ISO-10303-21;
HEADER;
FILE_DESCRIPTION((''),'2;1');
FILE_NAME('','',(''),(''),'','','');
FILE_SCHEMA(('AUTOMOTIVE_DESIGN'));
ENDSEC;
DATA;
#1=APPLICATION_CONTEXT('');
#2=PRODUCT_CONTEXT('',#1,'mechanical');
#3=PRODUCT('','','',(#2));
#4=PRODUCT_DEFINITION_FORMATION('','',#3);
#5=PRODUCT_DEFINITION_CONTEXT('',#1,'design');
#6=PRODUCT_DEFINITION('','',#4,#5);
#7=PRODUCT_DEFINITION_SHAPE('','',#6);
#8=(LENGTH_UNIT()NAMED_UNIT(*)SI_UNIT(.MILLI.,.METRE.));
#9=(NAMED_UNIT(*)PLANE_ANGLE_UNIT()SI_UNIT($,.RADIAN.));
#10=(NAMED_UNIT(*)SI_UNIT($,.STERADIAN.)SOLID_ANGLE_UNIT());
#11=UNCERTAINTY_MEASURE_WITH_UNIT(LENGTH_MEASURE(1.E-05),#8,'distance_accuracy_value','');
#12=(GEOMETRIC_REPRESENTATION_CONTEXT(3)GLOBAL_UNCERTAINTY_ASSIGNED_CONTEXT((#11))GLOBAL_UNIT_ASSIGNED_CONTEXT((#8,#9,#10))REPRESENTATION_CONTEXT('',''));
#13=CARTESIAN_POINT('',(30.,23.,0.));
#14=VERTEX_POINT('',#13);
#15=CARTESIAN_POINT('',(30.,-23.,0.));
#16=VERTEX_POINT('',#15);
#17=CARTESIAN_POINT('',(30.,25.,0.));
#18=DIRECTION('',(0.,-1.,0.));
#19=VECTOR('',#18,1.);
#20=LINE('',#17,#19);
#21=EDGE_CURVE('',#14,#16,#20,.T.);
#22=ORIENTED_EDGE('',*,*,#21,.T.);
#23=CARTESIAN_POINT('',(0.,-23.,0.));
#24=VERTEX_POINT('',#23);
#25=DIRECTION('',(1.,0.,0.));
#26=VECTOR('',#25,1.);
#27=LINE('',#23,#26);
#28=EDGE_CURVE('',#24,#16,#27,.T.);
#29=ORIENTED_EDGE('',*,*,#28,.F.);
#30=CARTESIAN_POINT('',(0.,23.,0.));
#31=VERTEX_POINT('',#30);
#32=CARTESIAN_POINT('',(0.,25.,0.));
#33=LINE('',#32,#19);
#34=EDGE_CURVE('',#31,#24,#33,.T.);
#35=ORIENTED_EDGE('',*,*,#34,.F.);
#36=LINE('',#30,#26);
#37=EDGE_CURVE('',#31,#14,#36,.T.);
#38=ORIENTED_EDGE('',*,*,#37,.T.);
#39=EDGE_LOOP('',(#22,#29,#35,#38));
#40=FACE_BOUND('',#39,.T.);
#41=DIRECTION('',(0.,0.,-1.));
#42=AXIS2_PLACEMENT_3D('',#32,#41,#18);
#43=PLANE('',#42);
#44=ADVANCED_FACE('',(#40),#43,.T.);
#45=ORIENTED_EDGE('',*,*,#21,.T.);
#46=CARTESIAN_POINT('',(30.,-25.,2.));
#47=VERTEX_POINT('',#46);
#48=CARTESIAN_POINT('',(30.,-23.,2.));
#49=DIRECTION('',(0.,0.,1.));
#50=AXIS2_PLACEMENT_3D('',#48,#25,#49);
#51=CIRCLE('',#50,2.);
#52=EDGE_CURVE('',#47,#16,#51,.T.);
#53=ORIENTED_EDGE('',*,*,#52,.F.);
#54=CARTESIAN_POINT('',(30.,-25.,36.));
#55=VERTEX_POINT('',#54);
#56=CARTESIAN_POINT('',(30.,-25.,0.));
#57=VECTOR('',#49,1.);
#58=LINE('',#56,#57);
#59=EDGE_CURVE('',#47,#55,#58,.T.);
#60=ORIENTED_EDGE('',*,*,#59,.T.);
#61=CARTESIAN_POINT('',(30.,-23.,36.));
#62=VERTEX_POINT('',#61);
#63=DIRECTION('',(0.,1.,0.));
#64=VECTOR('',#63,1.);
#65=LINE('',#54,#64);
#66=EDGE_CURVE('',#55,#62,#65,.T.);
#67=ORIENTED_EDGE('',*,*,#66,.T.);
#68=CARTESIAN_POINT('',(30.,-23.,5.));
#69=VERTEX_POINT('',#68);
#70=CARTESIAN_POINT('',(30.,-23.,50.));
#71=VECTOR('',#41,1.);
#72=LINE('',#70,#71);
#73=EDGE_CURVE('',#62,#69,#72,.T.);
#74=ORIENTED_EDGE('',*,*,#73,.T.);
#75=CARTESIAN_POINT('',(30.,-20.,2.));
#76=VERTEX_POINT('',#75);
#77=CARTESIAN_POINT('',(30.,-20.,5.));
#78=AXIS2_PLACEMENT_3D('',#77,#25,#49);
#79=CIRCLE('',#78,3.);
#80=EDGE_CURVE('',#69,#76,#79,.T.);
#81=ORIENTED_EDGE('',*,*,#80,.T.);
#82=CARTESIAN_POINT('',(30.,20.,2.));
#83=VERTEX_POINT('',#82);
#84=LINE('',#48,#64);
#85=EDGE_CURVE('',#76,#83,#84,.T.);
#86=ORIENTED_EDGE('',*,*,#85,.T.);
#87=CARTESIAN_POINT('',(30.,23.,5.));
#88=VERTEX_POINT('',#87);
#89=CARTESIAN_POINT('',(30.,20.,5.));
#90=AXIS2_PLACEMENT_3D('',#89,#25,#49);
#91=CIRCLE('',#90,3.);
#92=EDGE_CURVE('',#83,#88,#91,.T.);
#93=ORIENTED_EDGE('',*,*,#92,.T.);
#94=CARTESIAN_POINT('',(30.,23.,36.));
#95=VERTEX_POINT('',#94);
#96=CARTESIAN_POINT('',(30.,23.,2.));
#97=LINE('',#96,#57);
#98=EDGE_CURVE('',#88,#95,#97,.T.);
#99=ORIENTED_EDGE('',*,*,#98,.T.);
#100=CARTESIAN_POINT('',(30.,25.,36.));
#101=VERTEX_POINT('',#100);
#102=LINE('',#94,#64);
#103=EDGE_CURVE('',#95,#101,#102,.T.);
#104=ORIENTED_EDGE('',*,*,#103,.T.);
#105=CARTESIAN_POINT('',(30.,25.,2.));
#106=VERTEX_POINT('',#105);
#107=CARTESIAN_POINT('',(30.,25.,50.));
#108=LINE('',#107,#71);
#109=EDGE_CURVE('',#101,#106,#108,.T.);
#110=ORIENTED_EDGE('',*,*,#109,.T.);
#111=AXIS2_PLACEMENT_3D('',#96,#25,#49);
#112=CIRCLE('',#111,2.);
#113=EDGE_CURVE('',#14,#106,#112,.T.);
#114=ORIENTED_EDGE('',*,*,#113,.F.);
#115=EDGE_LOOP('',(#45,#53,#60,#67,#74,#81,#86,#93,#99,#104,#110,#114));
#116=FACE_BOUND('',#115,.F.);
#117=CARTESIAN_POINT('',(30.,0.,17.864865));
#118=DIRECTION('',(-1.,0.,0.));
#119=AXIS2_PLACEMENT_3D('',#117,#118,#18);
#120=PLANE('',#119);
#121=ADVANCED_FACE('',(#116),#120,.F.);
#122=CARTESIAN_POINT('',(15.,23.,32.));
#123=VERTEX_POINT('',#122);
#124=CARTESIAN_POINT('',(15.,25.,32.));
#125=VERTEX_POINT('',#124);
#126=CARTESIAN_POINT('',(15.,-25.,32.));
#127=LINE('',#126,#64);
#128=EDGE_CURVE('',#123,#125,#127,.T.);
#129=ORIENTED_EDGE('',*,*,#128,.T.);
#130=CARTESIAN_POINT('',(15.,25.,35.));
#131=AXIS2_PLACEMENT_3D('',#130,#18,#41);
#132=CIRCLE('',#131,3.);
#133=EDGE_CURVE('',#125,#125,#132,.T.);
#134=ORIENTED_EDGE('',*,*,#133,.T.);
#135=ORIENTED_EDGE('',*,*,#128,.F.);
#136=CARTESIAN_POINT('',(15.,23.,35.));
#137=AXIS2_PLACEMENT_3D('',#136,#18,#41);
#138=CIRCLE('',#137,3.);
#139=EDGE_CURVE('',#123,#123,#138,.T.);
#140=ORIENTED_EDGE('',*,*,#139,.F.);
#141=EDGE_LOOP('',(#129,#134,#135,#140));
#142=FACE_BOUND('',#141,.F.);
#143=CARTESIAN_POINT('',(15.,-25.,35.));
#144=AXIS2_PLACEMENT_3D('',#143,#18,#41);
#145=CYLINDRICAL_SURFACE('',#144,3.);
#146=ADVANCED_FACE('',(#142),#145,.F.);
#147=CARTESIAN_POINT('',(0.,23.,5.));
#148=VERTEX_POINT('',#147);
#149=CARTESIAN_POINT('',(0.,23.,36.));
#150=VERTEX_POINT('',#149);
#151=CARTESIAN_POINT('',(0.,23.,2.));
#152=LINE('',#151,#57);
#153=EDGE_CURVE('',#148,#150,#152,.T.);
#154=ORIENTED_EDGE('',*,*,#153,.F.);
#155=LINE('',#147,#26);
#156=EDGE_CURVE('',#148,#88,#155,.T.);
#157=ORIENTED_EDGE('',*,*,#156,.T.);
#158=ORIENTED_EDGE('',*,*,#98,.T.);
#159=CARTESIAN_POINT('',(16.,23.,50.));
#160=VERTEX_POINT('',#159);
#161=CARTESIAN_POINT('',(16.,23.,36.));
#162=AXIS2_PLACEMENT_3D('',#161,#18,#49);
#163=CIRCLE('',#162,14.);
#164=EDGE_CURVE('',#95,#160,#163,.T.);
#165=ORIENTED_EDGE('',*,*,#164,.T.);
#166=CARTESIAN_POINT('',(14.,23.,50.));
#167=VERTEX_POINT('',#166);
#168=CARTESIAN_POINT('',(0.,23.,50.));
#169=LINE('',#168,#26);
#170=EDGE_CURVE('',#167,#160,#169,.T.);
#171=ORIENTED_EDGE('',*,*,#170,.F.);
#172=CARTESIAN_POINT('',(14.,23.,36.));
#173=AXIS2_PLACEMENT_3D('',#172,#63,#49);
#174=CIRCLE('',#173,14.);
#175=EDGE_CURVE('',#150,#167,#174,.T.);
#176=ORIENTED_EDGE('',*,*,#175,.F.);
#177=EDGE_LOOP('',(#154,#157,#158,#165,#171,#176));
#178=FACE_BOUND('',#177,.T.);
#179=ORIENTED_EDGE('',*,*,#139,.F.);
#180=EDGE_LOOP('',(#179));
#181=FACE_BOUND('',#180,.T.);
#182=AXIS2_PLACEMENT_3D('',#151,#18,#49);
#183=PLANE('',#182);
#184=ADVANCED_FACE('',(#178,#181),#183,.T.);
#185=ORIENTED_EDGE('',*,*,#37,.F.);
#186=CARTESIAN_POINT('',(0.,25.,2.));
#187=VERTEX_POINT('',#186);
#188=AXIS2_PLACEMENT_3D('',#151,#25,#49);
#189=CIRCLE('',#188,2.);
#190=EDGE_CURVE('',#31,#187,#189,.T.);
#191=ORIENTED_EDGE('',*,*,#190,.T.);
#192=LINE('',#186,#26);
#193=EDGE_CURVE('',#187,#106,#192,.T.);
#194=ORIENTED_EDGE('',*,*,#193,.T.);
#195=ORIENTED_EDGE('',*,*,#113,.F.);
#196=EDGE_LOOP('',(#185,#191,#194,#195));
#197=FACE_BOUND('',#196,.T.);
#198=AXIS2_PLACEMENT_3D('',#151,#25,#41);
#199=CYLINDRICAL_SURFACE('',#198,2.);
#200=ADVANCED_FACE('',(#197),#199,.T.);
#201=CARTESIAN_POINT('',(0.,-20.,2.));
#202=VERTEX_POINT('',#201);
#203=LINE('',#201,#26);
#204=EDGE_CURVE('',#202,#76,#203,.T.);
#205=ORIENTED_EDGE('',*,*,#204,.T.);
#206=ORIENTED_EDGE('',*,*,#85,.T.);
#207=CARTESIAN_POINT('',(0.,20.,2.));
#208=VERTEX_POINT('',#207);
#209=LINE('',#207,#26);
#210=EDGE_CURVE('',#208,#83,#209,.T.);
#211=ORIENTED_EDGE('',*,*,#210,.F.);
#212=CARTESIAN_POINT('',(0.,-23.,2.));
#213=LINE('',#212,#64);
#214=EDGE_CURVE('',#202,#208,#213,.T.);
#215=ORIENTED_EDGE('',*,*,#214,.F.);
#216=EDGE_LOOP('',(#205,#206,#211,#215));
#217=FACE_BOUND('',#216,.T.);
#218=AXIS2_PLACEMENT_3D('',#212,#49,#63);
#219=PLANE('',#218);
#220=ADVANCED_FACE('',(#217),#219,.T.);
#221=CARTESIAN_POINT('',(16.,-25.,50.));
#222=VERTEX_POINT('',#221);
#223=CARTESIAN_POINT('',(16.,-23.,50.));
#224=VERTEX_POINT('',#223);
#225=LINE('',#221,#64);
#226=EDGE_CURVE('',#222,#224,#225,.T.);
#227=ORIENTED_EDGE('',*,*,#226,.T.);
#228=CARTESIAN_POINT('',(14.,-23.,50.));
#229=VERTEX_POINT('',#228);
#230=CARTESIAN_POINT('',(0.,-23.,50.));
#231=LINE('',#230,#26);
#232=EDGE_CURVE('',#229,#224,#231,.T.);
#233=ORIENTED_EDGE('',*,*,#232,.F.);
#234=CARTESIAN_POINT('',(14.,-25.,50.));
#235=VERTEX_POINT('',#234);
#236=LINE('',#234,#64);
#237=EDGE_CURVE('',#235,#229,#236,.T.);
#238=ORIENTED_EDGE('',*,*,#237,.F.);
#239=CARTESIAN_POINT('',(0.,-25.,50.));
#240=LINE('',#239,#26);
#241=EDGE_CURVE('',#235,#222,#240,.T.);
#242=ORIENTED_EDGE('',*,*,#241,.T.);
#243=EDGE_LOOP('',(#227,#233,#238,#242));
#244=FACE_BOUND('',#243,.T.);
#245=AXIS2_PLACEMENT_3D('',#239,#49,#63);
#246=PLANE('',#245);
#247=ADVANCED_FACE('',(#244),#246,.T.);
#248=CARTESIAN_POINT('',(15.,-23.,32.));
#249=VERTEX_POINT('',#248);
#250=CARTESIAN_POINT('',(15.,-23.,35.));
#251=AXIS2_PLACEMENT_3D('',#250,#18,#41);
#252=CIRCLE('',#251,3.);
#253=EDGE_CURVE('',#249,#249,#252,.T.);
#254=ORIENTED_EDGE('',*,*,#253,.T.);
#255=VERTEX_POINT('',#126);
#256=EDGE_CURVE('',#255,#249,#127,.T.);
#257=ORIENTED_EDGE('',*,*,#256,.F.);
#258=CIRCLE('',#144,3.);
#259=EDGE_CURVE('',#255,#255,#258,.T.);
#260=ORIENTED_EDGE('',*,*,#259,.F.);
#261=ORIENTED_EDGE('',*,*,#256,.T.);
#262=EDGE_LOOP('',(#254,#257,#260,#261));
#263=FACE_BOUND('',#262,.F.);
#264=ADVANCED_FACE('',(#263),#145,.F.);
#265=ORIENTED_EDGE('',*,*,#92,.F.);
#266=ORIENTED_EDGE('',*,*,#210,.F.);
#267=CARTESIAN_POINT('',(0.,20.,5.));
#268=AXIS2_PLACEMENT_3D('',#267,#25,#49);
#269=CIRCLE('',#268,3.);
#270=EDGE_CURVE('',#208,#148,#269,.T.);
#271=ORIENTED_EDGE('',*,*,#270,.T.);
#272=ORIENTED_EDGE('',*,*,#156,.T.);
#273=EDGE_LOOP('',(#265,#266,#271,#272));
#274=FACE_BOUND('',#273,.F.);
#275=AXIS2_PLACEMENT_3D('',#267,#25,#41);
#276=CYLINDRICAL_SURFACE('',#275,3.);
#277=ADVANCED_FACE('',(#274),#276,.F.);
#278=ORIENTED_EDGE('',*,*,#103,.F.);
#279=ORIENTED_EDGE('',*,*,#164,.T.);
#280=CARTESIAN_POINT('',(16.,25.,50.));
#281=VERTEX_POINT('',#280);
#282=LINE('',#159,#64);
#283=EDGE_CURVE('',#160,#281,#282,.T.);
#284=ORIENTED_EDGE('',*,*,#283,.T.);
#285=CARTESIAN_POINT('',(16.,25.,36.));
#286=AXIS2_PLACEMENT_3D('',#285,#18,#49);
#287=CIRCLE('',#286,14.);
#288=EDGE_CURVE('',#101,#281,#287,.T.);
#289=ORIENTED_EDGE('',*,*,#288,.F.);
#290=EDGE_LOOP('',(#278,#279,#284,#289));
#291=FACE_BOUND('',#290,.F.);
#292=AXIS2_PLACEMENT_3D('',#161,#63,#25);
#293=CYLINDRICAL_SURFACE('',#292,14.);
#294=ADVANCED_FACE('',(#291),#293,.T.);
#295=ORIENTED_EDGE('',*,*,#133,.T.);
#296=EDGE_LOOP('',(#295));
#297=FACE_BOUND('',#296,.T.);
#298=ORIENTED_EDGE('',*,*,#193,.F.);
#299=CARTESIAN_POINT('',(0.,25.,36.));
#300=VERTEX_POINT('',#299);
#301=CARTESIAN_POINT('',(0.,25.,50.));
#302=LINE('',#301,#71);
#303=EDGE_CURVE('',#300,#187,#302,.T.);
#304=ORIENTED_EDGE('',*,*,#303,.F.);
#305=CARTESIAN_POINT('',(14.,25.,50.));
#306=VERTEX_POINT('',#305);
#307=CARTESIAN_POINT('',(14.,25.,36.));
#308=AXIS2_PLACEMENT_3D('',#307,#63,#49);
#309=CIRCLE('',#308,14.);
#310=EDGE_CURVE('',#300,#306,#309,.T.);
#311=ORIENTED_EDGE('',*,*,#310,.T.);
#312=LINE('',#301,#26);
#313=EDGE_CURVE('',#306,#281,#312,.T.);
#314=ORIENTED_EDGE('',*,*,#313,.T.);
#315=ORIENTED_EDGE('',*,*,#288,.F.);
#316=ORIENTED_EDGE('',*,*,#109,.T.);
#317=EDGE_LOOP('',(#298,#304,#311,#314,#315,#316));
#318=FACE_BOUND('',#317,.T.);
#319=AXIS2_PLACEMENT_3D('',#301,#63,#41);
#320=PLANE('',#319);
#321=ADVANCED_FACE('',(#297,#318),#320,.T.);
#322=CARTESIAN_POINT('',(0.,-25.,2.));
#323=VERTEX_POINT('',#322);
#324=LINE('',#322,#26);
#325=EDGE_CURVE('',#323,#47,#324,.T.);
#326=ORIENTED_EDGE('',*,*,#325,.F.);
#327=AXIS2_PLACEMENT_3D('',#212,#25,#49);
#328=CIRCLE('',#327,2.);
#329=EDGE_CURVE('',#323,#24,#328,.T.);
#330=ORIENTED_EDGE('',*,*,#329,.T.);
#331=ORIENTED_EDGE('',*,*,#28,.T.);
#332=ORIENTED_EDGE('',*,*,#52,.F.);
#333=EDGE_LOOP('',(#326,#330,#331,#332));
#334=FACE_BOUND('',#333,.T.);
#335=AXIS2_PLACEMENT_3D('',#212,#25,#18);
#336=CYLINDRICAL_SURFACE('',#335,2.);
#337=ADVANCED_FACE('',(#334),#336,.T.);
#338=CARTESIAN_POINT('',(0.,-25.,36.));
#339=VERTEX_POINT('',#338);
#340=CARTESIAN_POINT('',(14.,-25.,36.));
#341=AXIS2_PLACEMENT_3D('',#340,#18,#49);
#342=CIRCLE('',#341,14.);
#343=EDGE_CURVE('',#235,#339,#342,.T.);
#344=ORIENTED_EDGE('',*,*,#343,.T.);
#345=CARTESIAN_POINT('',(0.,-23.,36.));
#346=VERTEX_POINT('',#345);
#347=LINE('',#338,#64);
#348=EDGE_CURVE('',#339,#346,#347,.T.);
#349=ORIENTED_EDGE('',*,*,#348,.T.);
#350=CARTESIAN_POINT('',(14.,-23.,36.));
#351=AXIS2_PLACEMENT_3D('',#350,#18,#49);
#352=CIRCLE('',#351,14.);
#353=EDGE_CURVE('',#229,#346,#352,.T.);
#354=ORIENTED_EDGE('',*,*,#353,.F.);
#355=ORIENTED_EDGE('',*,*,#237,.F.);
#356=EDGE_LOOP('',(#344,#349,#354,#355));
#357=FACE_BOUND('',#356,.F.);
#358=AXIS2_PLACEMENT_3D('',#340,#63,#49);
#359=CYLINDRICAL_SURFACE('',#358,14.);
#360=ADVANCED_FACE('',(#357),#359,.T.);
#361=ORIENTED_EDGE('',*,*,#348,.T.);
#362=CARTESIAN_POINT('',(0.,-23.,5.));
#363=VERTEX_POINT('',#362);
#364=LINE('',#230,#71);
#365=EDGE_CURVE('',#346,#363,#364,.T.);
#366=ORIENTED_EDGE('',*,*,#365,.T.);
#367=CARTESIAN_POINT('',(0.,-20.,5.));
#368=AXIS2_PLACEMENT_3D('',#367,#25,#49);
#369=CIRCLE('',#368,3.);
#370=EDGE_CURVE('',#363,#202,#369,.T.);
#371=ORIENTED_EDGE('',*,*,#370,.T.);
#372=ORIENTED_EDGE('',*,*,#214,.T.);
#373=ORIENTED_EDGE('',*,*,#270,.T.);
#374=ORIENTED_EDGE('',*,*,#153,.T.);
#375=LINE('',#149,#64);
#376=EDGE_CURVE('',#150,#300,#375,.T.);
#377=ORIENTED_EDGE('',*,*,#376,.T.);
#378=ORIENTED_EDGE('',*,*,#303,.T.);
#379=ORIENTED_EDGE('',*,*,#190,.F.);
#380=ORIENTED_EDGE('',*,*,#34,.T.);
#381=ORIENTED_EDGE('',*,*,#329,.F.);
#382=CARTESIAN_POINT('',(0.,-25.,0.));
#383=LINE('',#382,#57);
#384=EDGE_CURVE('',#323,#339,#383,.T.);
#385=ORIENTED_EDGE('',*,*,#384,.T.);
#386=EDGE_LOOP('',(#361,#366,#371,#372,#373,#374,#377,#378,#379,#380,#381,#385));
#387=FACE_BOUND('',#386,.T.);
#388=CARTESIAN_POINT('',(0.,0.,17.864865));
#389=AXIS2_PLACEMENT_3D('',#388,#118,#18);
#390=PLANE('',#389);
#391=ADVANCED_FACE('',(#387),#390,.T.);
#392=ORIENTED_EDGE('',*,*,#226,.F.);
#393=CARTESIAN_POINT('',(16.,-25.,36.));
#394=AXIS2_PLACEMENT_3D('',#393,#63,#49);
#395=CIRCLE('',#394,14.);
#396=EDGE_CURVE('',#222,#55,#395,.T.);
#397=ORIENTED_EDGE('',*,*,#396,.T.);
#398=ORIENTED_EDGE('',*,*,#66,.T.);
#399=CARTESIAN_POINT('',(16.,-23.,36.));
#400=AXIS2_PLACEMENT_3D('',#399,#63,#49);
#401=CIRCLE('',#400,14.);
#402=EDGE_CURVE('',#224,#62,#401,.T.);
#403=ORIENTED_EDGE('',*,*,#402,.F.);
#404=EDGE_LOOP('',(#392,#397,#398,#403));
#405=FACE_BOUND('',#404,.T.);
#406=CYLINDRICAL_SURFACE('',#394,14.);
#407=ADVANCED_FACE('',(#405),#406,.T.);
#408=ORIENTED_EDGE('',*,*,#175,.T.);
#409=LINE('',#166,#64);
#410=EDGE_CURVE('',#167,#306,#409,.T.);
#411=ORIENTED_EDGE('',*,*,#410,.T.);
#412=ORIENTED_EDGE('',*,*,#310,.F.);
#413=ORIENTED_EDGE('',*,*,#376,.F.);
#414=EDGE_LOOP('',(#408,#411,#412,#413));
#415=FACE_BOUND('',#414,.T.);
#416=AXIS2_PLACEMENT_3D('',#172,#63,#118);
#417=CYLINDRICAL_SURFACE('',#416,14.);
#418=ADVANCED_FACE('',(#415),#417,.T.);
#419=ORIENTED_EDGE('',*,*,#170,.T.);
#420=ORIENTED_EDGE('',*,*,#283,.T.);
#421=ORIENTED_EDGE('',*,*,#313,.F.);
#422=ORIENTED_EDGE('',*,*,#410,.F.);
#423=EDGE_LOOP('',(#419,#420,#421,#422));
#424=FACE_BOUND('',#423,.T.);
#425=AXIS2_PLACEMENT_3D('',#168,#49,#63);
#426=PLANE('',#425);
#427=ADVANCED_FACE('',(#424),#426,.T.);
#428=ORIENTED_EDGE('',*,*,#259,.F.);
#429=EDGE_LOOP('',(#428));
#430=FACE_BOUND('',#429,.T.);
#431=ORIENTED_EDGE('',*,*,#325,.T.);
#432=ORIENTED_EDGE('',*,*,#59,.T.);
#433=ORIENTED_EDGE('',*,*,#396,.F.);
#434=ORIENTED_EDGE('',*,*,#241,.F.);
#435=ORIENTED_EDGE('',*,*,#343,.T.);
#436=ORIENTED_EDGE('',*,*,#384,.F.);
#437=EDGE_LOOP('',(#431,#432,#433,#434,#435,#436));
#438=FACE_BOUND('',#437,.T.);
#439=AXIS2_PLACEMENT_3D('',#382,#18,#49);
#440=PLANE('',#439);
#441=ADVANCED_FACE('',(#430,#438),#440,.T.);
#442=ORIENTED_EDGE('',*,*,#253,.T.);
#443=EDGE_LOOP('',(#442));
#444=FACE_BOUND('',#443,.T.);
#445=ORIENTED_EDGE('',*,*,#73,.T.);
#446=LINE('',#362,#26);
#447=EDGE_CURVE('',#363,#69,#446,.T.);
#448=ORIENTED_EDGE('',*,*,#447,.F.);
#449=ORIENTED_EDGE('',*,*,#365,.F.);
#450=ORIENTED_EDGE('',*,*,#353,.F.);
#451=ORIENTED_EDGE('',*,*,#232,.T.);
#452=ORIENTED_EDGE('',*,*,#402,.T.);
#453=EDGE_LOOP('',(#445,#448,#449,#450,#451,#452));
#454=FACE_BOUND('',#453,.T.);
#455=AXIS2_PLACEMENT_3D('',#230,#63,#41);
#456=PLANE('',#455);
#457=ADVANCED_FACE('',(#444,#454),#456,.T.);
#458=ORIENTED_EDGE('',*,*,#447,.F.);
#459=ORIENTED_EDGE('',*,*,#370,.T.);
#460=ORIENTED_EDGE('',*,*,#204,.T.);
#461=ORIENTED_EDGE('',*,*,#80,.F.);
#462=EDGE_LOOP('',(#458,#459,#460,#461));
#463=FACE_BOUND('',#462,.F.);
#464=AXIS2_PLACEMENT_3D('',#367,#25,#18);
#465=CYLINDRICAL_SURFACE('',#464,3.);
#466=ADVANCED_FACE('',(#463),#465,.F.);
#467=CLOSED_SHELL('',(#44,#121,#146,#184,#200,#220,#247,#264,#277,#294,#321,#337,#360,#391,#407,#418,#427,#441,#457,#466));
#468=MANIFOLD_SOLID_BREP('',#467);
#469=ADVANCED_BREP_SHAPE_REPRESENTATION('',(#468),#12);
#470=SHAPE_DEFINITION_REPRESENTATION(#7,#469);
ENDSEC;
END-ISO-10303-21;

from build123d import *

# Parameters (mm, degrees)
PAD021_DEPTH  = 30
SKETCH003_R   = 3
HOLE004_DEPTH = 50.001
FILLET008_R   = 14
FILLET009_R   = 3
FILLET010_R   = 2


with BuildPart() as part:
    # Sketch002 → Pad021 (new body)
    with BuildSketch(Plane.YZ):
        Polygon((-25, 50), (-23, 50), (-23, 2), (23, 2), (23, 50), (25, 50), (25, 0), (-25, 0), align=None)
    extrude(amount=PAD021_DEPTH)

    # Sketch003 → Hole004 (cut, through all)
    with BuildSketch(Plane(origin=(0, -25, 0), x_dir=(0, 0, -1), z_dir=(0, -1, 0))):
        with Locations((-35, 15)):
            Circle(SKETCH003_R)
    extrude(amount=-HOLE004_DEPTH, mode=Mode.SUBTRACT)

    # Fillet008
    fillet008_edges = [part.edges().sort_by_distance(p)[0] for p in [
        (30, 24, 50),
        (30, -24, 50),
        (0, -24, 50),
        (0, 24, 50),
    ]]
    fillet(fillet008_edges, radius=FILLET008_R)

    # Fillet009
    fillet009_edges = [part.edges().sort_by_distance(p)[0] for p in [
        (15, -23, 2),
        (15, 23, 2),
    ]]
    fillet(fillet009_edges, radius=FILLET009_R)

    # Fillet010
    fillet010_edges = [part.edges().sort_by_distance(p)[0] for p in [
        (15, 25, 0),
        (15, -25, 0),
    ]]
    fillet(fillet010_edges, radius=FILLET010_R)


solid = part.part
